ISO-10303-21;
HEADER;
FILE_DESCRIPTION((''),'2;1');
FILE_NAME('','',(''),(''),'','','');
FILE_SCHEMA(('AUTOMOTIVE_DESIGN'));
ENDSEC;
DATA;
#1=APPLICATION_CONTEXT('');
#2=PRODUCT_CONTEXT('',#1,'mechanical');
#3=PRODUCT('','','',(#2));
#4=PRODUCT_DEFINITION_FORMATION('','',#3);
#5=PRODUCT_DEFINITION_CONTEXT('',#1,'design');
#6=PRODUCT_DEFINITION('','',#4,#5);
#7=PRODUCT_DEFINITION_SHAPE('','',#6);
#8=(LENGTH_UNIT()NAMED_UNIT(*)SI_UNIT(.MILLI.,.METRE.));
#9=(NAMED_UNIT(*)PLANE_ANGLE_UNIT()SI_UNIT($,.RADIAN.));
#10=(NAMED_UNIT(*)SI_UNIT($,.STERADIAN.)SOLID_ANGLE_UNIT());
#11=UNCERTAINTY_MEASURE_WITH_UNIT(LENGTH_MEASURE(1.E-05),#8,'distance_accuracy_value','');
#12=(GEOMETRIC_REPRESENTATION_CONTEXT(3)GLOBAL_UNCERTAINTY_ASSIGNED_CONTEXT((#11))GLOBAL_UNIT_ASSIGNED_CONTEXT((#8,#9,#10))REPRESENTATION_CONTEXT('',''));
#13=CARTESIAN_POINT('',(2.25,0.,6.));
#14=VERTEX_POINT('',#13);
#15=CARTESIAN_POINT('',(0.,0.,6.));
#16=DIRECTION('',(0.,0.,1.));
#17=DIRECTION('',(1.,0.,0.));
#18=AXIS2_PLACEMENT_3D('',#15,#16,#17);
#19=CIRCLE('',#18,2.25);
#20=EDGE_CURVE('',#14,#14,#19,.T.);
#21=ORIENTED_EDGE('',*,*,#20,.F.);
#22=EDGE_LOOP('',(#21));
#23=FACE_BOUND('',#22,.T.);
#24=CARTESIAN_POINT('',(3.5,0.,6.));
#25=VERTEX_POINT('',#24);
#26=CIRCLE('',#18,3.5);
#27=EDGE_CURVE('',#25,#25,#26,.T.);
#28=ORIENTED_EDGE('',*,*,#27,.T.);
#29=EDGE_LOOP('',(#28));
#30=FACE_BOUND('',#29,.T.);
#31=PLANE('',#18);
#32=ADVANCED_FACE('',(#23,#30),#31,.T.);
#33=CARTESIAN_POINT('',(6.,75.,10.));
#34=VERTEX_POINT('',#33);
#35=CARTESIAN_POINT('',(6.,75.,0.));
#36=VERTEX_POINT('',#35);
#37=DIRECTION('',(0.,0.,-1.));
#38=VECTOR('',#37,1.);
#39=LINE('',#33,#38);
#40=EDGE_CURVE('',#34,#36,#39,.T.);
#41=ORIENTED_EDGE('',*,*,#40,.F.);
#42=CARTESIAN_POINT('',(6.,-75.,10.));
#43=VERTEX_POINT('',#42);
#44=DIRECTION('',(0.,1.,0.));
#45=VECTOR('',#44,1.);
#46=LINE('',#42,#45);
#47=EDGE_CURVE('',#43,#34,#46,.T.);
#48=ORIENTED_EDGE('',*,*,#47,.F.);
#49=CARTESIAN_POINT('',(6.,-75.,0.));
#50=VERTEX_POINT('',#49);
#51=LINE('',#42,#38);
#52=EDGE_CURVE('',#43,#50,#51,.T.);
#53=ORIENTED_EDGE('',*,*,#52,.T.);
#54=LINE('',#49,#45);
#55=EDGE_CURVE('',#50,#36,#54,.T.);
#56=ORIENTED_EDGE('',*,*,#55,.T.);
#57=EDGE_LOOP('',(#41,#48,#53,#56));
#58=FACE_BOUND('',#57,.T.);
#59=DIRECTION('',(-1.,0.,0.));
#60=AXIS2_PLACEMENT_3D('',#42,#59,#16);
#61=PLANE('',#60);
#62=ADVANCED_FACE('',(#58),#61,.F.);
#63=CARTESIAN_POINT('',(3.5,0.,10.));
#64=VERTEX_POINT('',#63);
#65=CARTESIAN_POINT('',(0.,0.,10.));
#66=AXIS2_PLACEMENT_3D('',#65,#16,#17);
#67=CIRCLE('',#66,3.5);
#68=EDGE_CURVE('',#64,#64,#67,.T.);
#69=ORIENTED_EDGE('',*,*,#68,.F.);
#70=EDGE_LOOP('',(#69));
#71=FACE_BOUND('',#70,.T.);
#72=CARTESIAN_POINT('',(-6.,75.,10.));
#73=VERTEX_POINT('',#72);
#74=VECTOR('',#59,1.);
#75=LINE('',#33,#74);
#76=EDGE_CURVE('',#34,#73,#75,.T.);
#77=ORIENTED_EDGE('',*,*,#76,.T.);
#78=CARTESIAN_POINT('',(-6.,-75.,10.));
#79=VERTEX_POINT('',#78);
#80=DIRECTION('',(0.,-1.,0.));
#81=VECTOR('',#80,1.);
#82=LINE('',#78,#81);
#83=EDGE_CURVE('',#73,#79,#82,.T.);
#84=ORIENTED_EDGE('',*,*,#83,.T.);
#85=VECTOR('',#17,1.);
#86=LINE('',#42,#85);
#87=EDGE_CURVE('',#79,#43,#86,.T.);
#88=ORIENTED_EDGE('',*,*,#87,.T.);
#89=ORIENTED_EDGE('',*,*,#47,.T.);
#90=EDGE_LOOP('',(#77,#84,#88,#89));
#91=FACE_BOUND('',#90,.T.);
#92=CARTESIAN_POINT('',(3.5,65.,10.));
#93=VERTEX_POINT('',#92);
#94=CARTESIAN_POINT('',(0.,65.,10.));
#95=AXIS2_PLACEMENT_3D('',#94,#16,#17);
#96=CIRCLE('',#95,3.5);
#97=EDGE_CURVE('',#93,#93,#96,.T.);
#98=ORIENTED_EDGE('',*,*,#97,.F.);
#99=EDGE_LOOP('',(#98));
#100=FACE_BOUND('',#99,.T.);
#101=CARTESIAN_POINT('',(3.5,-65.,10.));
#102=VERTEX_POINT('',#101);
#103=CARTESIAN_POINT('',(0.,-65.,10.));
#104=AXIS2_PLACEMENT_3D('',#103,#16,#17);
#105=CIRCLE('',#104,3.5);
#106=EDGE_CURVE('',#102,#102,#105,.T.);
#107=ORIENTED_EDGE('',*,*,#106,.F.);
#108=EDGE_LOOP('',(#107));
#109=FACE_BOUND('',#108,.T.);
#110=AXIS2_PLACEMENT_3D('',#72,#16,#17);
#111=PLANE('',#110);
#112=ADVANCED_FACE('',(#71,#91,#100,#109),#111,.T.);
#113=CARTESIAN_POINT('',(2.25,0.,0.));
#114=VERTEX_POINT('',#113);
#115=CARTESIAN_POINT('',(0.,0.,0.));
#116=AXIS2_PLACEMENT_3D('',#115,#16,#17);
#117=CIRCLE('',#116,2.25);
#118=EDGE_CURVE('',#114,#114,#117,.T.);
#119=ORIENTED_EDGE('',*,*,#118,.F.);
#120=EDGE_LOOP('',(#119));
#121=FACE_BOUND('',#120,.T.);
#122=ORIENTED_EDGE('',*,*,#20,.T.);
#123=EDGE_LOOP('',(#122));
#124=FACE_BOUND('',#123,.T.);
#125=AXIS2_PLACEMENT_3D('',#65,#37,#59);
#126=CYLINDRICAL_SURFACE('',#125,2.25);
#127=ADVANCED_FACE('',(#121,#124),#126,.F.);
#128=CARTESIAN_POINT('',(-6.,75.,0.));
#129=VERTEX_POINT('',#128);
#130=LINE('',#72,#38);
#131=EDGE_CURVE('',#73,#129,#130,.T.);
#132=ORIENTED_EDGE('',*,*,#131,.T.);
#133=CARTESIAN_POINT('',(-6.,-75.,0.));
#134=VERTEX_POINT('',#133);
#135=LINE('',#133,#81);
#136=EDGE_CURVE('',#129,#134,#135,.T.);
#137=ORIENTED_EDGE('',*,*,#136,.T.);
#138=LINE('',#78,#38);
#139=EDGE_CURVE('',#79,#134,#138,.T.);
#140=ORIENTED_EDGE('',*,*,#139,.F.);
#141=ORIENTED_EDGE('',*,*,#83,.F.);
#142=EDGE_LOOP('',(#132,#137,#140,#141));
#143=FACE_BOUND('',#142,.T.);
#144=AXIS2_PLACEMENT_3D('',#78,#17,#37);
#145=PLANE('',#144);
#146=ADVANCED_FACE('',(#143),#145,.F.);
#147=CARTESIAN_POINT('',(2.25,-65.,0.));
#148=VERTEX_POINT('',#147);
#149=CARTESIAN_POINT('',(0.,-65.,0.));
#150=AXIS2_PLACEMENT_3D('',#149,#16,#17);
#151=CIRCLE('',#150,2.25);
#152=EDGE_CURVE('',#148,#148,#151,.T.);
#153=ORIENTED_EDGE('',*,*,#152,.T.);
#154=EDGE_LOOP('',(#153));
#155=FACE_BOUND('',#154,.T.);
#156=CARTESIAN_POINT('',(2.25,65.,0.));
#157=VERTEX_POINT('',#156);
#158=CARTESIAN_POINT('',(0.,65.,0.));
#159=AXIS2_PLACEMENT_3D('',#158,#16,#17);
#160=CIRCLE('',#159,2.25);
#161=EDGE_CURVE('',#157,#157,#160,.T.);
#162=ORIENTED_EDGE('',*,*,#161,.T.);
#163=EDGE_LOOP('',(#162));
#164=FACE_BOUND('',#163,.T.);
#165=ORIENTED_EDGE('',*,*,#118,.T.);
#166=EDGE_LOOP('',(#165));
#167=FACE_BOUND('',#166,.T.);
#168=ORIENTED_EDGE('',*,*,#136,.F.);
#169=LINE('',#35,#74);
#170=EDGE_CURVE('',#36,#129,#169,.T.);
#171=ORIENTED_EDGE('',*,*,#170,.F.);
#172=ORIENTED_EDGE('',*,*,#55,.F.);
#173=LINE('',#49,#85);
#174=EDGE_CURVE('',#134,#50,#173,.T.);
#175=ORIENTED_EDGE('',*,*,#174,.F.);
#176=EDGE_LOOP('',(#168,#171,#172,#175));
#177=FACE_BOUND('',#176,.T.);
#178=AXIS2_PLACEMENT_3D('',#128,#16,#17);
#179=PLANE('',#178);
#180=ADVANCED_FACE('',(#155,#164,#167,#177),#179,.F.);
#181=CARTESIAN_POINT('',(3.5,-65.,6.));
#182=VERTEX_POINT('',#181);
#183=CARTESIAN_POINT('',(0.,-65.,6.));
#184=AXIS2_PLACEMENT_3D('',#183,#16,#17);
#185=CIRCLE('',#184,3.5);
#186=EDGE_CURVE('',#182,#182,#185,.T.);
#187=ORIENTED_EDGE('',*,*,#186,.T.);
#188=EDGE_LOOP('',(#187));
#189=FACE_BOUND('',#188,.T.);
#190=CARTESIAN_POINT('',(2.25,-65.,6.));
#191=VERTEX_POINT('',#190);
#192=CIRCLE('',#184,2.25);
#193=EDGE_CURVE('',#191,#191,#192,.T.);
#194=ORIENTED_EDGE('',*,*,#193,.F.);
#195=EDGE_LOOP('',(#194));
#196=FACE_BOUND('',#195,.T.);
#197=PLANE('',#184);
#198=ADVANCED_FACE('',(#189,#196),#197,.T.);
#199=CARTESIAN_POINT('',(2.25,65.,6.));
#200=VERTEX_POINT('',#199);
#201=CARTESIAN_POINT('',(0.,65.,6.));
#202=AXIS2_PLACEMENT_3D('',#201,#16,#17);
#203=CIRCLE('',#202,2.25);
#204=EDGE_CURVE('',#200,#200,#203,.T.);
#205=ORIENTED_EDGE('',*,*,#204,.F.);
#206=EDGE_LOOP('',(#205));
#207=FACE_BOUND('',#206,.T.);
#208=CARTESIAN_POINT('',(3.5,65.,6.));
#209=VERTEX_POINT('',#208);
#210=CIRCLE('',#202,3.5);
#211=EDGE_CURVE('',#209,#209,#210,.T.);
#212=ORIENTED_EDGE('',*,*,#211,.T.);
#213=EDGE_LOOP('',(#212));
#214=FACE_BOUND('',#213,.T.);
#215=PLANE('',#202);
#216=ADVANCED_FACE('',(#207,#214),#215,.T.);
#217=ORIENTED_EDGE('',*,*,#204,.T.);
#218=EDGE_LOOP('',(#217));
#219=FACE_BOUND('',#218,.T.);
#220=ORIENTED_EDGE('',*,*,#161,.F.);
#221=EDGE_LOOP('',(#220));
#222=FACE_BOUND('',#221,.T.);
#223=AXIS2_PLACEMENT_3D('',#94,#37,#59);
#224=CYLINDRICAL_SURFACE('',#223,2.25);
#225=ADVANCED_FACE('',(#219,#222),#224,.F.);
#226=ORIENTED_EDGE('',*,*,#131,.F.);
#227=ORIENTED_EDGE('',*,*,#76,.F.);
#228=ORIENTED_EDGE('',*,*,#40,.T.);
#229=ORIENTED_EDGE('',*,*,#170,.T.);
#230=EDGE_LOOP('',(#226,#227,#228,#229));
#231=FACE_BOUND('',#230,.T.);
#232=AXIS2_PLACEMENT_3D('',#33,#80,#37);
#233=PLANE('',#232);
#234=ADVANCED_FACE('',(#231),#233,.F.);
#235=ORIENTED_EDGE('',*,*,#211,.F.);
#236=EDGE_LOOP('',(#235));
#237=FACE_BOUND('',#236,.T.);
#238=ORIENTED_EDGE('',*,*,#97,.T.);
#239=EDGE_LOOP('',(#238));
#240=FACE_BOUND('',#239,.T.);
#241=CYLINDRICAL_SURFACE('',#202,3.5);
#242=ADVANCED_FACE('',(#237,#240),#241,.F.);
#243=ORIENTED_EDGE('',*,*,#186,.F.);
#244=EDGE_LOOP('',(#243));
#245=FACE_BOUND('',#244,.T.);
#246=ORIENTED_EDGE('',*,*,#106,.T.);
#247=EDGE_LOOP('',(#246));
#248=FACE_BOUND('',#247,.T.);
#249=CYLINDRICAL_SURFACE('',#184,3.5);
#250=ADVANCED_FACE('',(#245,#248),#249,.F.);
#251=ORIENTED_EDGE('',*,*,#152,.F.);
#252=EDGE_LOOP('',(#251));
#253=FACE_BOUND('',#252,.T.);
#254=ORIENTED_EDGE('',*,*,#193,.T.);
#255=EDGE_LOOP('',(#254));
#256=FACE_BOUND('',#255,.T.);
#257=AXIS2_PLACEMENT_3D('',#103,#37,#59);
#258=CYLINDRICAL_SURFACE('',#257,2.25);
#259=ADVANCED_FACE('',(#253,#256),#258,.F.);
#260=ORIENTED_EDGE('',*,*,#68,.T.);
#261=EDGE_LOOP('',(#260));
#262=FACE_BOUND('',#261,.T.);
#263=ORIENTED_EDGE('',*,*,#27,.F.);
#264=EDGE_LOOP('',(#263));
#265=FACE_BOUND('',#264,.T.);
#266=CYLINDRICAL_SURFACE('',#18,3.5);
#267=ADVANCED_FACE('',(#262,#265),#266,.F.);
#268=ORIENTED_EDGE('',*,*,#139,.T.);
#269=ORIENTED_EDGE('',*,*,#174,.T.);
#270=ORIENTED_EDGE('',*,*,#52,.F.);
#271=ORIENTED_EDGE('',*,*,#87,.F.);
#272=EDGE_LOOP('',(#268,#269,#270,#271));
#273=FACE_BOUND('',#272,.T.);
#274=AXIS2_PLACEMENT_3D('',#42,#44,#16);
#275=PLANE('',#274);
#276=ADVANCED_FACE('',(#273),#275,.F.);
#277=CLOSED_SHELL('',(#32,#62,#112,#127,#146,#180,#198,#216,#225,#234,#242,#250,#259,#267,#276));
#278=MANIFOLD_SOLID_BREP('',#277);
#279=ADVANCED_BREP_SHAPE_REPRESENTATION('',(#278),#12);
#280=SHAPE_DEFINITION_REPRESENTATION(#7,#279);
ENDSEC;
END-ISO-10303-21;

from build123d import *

# Parameters (mm, degrees)
CROQUIS1_W              = 12
CROQUIS1_H              = 150
CROQUIS1_R              = 2.25
SALIENTE_EXTRUIR1_DEPTH = 10
CROQUIS2_R              = 3.5
CORTAR_EXTRUIR1_DEPTH   = 4


with BuildPart() as part:
    # Croquis1 → Saliente-Extruir1 (new body)
    with BuildSketch(Plane.XY):
        Rectangle(CROQUIS1_W, CROQUIS1_H)
        with Locations((0, 65)):
            Circle(CROQUIS1_R, mode=Mode.SUBTRACT)
        Circle(CROQUIS1_R, mode=Mode.SUBTRACT)
        with Locations((0, -65)):
            Circle(CROQUIS1_R, mode=Mode.SUBTRACT)
    extrude(amount=SALIENTE_EXTRUIR1_DEPTH)

    # Croquis2 → Cortar-Extruir1 (cut)
    with BuildSketch(Plane.XY.offset(10)):
        with Locations((0, 65)):
            Circle(CROQUIS2_R)
        Circle(CROQUIS2_R)
        with Locations((0, -65)):
            Circle(CROQUIS2_R)
    extrude(amount=-CORTAR_EXTRUIR1_DEPTH, mode=Mode.SUBTRACT)


solid = part.part
